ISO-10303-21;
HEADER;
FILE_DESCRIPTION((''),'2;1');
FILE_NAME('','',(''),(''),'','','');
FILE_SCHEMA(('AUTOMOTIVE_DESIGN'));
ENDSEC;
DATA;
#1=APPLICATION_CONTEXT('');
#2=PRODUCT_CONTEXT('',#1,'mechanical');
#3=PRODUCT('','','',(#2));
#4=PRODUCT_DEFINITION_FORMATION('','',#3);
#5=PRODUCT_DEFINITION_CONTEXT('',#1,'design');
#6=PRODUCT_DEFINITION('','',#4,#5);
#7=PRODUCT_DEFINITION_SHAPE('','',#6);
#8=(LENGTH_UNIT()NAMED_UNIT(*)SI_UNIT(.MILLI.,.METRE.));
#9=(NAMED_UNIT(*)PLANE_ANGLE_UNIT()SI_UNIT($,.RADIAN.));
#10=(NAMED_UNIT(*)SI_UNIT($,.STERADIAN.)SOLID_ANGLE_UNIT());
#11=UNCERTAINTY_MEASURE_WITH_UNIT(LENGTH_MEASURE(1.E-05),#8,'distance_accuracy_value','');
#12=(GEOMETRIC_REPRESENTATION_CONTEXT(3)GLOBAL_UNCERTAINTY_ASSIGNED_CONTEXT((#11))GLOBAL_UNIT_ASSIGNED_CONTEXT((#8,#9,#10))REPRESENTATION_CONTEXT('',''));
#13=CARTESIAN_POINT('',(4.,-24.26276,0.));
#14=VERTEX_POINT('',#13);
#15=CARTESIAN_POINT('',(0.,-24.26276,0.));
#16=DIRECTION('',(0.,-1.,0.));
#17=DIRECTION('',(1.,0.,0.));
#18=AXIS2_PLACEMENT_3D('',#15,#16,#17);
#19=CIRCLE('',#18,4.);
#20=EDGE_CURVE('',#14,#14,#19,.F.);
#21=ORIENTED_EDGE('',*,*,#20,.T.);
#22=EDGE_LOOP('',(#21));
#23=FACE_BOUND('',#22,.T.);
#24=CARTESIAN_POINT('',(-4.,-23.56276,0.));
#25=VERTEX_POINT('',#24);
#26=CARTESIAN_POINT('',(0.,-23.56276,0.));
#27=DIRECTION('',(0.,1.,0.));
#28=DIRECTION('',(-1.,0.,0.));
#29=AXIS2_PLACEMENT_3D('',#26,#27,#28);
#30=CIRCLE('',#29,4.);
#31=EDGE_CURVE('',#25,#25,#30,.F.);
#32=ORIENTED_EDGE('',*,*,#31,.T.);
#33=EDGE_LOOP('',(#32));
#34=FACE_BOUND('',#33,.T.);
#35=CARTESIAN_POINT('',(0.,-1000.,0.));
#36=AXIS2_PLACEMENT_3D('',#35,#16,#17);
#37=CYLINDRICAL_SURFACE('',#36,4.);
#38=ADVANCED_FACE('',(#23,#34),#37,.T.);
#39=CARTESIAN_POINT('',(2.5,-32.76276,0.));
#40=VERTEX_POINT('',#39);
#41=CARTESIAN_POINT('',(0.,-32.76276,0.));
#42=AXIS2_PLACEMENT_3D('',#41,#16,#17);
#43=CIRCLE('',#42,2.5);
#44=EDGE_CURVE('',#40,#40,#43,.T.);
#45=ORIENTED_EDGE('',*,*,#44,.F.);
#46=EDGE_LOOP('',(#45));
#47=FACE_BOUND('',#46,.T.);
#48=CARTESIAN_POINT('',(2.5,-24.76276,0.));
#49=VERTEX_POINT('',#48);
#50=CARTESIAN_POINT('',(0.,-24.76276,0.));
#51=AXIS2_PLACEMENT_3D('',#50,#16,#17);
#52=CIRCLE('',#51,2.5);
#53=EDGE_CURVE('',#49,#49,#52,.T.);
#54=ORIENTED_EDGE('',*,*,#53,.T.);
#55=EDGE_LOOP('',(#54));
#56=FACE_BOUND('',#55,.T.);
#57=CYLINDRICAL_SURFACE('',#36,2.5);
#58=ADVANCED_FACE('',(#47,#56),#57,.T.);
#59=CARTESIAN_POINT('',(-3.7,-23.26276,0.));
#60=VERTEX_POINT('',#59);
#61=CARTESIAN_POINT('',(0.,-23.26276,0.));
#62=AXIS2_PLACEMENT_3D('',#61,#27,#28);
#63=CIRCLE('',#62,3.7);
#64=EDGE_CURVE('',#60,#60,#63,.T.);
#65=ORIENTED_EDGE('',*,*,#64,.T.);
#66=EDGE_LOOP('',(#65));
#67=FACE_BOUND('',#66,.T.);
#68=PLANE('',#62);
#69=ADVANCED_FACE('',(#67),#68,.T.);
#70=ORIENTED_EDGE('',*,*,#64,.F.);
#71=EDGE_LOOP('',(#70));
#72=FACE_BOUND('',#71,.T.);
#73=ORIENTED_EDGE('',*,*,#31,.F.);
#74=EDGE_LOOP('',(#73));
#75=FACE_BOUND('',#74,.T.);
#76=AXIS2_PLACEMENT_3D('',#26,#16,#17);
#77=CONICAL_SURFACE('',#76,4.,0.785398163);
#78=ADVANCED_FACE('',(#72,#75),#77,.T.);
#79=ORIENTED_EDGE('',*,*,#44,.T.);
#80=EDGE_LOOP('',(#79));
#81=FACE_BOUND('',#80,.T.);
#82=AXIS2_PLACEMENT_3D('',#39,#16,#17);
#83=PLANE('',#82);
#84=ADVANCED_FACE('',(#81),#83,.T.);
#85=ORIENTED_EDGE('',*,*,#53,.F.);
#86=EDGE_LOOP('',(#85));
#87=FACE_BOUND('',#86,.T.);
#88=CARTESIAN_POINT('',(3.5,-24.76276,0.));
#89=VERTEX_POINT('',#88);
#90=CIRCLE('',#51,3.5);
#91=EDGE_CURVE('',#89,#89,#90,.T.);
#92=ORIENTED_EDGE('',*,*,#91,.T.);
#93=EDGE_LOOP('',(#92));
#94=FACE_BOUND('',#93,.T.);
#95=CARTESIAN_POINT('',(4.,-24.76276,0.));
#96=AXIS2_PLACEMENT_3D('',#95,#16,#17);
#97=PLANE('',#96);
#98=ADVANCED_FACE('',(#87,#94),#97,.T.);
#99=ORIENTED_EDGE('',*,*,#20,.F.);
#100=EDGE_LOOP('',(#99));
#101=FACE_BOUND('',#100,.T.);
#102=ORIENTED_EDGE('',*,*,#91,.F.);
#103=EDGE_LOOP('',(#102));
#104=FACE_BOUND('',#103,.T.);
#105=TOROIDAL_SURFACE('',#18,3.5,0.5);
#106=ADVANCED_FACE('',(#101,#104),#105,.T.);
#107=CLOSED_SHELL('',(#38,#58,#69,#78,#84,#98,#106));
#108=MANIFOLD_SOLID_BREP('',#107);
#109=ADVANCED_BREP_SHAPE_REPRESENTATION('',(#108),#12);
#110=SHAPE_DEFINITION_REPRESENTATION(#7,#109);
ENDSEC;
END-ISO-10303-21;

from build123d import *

# Parameters (mm, degrees)
CHAMFER_1_SIZE = 0.3
FILLET_1_R     = 0.5


with BuildPart() as part:
    # 草图2 → 旋转1 (revolve)
    with BuildSketch(Plane.XY):
        Polygon((0, -23.262759575), (4, -23.262759575), (4, -24.762759575), (2.5, -24.762759575), (2.5, -32.762759575), (0, -32.762759575), align=None)
    revolve(axis=Axis((0, -1000, 0), (0, 1, 0)))

    # 倒角1
    chamfer_1_edges = [part.edges().sort_by_distance(p)[0] for p in [
        (-4, -23.262759575, 0),
    ]]
    chamfer(chamfer_1_edges, length=CHAMFER_1_SIZE)

    # 圆角1
    fillet_1_edges = [part.edges().sort_by_distance(p)[0] for p in [
        (-4, -24.762759575, 0),
    ]]
    fillet(fillet_1_edges, radius=FILLET_1_R)


solid = part.part
